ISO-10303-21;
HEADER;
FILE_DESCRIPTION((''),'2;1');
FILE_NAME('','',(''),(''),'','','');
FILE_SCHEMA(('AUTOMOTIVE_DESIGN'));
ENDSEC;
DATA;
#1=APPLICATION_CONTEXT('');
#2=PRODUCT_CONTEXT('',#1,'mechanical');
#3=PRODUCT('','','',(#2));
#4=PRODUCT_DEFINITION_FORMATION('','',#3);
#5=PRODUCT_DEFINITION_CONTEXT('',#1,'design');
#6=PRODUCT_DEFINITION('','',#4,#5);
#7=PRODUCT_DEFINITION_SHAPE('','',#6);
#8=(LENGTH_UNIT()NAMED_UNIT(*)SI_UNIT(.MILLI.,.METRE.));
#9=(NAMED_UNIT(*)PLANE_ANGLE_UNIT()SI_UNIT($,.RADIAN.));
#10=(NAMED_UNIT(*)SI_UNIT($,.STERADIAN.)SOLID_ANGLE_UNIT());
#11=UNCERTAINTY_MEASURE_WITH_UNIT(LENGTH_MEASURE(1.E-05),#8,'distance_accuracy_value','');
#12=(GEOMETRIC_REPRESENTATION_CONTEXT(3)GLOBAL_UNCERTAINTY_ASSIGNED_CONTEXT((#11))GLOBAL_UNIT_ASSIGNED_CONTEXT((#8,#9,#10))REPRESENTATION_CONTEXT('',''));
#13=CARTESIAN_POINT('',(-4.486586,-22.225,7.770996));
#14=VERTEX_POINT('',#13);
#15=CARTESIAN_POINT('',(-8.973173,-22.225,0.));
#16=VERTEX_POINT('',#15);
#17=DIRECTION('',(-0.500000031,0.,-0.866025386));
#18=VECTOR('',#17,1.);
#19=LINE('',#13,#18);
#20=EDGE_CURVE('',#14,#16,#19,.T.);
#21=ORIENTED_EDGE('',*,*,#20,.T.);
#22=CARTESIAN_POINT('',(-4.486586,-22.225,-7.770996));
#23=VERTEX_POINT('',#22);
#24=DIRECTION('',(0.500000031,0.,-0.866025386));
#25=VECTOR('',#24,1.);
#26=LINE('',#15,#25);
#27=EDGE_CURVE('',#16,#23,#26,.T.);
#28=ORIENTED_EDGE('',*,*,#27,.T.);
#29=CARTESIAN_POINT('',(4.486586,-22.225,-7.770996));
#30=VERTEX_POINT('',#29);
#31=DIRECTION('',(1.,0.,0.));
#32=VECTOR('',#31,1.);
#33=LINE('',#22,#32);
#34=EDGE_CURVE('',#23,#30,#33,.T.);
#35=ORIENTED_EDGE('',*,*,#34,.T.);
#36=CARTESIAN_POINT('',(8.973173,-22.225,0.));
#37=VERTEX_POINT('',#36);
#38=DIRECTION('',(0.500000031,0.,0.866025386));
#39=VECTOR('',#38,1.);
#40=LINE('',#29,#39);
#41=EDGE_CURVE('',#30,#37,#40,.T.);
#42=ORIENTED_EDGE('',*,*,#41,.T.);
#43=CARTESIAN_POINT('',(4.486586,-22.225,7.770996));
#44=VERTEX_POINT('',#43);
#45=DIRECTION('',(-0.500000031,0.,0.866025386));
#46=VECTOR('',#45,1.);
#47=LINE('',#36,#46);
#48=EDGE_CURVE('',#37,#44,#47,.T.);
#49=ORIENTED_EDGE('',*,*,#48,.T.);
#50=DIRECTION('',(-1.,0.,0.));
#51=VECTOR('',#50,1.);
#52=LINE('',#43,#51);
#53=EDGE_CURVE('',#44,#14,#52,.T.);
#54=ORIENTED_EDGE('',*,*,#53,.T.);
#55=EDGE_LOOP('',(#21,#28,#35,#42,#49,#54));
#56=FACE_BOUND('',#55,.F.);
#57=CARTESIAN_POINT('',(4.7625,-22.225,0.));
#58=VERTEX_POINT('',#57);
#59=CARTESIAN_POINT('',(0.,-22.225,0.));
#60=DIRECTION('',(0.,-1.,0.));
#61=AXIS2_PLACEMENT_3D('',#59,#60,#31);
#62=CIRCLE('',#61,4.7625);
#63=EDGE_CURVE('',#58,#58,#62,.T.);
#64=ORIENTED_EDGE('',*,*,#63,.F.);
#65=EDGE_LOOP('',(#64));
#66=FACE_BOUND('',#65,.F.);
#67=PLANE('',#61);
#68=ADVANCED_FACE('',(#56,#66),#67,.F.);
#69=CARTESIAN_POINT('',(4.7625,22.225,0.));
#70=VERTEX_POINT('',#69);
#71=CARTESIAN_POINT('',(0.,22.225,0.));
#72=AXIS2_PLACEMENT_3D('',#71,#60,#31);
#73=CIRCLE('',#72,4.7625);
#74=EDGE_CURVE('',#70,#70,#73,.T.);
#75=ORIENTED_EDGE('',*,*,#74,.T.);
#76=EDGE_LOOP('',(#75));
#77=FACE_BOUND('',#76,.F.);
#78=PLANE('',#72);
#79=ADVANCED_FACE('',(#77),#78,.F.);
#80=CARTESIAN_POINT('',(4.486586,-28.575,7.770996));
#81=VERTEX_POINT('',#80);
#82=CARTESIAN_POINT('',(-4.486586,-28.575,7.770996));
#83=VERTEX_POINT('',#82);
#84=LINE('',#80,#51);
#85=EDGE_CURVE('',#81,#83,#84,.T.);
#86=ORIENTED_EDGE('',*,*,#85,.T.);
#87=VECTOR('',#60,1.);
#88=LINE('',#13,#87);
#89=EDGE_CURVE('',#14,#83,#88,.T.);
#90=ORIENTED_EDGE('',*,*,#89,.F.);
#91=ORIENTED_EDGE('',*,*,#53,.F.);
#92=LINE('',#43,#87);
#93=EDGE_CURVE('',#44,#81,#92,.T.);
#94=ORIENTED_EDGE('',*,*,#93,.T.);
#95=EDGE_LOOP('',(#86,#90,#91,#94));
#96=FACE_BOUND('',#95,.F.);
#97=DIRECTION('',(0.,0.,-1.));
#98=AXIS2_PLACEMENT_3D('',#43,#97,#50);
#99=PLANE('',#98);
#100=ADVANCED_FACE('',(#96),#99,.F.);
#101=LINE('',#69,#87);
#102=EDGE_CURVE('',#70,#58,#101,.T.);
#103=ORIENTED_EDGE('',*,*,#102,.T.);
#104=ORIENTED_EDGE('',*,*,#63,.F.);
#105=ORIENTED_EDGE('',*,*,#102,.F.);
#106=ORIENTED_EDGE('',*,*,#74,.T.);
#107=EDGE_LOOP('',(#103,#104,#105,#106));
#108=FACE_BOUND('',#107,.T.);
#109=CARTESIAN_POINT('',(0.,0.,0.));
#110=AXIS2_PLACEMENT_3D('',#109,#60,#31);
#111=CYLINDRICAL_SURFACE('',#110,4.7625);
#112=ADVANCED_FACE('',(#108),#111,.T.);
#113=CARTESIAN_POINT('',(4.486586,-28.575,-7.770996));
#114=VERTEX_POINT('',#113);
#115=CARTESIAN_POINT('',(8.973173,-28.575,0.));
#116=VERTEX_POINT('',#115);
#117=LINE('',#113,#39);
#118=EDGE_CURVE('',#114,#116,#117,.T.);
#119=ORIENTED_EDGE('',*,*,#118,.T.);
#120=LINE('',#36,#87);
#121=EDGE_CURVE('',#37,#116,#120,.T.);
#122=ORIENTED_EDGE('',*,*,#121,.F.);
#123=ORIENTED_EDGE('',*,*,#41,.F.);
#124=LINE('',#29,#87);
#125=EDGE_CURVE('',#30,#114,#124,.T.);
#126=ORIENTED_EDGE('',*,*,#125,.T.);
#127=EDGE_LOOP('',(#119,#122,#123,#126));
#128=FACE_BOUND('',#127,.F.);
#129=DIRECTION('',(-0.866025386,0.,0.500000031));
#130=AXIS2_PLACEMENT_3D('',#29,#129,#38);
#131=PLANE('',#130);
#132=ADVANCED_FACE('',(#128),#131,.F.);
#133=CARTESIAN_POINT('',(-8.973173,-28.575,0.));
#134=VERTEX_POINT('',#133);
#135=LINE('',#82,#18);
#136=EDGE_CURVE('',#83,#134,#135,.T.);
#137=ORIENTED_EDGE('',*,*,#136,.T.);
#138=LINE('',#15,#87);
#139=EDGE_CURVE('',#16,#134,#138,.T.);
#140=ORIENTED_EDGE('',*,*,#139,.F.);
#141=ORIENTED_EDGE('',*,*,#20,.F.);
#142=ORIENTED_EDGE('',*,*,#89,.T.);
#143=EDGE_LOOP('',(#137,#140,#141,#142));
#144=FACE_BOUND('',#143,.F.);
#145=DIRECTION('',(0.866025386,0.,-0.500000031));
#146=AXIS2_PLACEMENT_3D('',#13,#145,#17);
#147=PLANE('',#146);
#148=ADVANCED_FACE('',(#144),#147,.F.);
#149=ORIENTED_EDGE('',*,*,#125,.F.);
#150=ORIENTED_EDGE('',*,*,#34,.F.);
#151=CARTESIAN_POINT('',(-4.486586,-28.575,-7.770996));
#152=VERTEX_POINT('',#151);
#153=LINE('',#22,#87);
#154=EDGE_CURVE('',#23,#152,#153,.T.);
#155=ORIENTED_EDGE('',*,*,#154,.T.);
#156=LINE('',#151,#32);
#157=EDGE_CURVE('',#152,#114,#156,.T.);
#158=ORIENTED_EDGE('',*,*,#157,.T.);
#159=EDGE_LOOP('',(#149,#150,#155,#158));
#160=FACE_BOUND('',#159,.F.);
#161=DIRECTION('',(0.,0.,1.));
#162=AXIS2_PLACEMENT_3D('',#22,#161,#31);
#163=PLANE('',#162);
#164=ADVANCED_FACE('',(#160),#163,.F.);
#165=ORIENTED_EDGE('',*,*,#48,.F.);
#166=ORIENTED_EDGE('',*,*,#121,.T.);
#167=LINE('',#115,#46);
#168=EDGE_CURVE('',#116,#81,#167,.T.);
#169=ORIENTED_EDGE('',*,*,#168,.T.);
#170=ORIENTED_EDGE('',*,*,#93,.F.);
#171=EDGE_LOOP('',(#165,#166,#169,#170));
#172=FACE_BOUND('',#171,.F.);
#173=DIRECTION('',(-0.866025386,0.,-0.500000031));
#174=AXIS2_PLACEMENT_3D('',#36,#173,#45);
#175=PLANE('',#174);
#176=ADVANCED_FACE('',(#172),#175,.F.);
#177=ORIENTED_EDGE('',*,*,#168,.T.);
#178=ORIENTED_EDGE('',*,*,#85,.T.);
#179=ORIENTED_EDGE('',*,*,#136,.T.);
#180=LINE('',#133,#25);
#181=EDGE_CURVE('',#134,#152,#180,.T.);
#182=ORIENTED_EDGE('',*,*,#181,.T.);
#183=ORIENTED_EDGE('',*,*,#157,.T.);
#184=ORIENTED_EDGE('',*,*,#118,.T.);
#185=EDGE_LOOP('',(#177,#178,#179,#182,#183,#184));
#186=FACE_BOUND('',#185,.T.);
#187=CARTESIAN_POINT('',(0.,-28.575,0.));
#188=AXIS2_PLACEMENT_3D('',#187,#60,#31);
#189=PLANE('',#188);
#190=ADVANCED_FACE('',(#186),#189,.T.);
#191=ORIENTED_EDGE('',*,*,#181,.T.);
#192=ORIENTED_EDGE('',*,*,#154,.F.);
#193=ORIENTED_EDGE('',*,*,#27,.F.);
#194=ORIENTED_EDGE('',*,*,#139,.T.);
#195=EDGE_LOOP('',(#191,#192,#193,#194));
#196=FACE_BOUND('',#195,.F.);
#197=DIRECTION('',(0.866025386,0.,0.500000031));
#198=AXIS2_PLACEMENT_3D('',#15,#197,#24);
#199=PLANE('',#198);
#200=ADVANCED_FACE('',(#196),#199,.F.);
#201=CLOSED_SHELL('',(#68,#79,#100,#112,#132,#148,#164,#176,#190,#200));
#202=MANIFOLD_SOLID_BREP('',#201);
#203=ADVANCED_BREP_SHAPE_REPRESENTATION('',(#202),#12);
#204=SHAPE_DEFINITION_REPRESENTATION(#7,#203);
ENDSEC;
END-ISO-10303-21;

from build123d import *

# Parameters (mm, degrees)
F0_R     = 4.7625
F1_DEPTH = 22.225
F2_R     = 4.7625
F3_DEPTH = 6.35


with BuildPart() as f1:
    # F0 (on Front) → F1 (new body, symmetric)
    with BuildSketch(Plane.XZ):
        Circle(F0_R)
    extrude(amount=F1_DEPTH, both=True)

    # F2 (on face) → F3 (join)
    with BuildSketch(Plane.XZ.offset(22.225)):
        Polygon((-4.486586, -7.770996), (4.486586, -7.770996), (8.973173, 0), (4.486586, 7.770996), (-4.486586, 7.770996), (-8.973173, 0), align=None)
        Circle(F2_R, mode=Mode.SUBTRACT)
        Circle(F2_R)
    extrude(amount=F3_DEPTH)


solid = f1.part
